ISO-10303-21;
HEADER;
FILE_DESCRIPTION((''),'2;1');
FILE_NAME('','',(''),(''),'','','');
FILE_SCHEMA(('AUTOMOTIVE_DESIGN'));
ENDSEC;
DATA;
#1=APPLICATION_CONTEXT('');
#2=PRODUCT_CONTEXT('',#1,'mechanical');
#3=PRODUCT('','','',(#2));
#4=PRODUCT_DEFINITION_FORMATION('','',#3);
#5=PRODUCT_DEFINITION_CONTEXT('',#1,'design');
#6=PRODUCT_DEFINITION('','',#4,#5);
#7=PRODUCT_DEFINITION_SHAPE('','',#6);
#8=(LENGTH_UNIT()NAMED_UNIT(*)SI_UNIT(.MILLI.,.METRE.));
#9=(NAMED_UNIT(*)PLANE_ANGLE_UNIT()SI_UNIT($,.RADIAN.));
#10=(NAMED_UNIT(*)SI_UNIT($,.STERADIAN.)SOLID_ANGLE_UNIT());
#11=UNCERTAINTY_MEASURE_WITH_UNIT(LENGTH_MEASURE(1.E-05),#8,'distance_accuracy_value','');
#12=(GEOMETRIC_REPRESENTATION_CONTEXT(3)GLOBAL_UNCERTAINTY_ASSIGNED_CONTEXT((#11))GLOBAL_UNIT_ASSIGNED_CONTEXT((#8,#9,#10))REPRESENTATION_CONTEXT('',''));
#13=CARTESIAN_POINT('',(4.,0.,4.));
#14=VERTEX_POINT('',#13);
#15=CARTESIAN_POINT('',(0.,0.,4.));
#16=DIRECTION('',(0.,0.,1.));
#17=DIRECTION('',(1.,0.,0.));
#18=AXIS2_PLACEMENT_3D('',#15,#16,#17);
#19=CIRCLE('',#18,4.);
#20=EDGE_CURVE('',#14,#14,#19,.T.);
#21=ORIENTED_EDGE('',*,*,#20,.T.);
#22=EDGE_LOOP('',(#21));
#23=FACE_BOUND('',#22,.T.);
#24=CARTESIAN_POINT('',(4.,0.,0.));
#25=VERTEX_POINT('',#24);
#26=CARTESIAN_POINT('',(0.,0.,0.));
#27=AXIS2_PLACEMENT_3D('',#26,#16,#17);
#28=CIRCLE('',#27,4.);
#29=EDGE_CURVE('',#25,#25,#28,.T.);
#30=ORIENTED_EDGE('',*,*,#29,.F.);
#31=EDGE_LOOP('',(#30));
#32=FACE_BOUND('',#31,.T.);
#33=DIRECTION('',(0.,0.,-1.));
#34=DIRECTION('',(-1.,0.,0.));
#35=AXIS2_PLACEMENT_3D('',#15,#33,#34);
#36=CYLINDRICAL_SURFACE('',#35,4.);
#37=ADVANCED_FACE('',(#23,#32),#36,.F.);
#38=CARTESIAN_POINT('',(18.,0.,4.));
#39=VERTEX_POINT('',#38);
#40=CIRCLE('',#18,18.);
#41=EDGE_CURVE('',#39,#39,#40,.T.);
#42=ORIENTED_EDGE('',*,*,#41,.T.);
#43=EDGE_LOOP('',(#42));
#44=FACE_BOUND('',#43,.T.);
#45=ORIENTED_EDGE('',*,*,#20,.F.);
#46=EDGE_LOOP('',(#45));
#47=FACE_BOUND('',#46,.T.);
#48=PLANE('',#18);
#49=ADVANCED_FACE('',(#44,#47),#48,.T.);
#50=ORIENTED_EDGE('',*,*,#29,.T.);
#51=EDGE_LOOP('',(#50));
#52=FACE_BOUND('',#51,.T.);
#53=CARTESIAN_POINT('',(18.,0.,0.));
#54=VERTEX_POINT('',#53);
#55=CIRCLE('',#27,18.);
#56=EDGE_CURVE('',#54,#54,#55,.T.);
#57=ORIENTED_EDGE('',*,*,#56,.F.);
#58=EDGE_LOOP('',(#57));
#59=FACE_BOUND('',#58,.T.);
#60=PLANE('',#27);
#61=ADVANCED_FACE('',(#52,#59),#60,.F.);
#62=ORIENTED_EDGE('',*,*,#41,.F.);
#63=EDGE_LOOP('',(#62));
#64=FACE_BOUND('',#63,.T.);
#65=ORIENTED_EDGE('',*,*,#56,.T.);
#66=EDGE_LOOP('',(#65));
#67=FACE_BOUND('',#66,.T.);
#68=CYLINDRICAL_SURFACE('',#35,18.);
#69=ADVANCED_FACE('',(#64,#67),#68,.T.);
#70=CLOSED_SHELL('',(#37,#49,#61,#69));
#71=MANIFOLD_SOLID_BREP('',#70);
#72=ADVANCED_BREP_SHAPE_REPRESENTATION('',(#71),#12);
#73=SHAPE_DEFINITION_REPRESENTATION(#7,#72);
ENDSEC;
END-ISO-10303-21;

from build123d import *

# Parameters (mm, degrees)
ESQUISSE1_R          = 18
ESQUISSE1_R_2        = 4
BASE_EXTRUSION_DEPTH = 4


with BuildPart() as part:
    # Esquisse1 → Base-Extrusion (new body)
    with BuildSketch(Plane.XY):
        Circle(ESQUISSE1_R)
        Circle(ESQUISSE1_R_2, mode=Mode.SUBTRACT)
    extrude(amount=BASE_EXTRUSION_DEPTH)


solid = part.part
